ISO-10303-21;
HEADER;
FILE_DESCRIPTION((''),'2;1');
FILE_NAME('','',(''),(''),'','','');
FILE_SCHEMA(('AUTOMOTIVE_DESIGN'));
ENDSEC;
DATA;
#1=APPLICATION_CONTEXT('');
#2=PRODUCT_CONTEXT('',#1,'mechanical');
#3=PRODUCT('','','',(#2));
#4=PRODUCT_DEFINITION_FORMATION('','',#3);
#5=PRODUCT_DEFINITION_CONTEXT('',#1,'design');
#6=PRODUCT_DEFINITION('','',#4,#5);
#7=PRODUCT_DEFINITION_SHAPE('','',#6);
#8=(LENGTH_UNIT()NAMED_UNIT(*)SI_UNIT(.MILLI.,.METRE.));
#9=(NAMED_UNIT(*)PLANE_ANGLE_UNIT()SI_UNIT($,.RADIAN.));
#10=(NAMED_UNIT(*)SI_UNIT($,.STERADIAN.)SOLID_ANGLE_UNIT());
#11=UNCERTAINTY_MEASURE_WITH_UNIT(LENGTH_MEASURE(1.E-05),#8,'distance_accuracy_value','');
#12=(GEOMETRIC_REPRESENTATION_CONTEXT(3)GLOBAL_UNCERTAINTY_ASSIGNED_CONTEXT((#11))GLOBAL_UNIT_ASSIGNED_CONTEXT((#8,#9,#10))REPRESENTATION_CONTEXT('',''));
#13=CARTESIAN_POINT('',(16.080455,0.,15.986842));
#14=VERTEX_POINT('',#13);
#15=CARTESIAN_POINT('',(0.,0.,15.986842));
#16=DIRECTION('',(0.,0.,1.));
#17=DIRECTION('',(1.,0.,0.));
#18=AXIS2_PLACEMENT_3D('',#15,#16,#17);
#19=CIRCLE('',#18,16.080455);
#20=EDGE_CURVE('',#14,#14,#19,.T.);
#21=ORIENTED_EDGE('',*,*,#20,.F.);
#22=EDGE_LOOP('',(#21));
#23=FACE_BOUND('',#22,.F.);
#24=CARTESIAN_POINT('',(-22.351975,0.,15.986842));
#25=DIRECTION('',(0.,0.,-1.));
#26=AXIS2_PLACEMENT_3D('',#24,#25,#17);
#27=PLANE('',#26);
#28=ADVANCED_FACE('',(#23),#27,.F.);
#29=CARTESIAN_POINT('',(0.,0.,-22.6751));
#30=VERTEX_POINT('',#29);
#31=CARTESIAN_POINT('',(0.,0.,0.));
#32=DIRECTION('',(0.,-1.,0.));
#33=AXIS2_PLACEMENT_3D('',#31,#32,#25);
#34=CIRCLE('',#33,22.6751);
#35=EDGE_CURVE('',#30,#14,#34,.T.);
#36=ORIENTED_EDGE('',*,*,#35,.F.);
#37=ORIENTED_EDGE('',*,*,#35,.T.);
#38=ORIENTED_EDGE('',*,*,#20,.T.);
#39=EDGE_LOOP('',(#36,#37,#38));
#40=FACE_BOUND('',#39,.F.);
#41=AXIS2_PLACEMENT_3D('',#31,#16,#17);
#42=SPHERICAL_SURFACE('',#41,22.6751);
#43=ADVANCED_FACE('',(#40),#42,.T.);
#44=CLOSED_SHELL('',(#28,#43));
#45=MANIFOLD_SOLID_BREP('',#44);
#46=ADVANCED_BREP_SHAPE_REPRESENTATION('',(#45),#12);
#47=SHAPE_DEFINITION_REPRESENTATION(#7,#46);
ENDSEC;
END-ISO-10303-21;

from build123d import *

# Parameters (mm, degrees)
F2_W     = 45.296055
F2_H     = 13.914475
F3_DEPTH = 25


with BuildPart() as f1:
    # F0 (on Front) → F1 (revolve)
    with BuildSketch(Plane.XZ):
        with BuildLine():
            Line((0, 22.6751), (0, -22.6751))
            ThreePointArc((0, -22.6751), (22.6751, 0), (0, 22.6751))
        make_face()
    revolve(axis=Axis((0, 0, 0.740131), (0, 0, -1)))

    # F2 (on Front) → F3 (cut, symmetric)
    with BuildSketch(Plane.XZ):
        with Locations((0.296053, 22.94408)):
            Rectangle(F2_W, F2_H)
    extrude(amount=F3_DEPTH, both=True, mode=Mode.SUBTRACT)


solid = f1.part
